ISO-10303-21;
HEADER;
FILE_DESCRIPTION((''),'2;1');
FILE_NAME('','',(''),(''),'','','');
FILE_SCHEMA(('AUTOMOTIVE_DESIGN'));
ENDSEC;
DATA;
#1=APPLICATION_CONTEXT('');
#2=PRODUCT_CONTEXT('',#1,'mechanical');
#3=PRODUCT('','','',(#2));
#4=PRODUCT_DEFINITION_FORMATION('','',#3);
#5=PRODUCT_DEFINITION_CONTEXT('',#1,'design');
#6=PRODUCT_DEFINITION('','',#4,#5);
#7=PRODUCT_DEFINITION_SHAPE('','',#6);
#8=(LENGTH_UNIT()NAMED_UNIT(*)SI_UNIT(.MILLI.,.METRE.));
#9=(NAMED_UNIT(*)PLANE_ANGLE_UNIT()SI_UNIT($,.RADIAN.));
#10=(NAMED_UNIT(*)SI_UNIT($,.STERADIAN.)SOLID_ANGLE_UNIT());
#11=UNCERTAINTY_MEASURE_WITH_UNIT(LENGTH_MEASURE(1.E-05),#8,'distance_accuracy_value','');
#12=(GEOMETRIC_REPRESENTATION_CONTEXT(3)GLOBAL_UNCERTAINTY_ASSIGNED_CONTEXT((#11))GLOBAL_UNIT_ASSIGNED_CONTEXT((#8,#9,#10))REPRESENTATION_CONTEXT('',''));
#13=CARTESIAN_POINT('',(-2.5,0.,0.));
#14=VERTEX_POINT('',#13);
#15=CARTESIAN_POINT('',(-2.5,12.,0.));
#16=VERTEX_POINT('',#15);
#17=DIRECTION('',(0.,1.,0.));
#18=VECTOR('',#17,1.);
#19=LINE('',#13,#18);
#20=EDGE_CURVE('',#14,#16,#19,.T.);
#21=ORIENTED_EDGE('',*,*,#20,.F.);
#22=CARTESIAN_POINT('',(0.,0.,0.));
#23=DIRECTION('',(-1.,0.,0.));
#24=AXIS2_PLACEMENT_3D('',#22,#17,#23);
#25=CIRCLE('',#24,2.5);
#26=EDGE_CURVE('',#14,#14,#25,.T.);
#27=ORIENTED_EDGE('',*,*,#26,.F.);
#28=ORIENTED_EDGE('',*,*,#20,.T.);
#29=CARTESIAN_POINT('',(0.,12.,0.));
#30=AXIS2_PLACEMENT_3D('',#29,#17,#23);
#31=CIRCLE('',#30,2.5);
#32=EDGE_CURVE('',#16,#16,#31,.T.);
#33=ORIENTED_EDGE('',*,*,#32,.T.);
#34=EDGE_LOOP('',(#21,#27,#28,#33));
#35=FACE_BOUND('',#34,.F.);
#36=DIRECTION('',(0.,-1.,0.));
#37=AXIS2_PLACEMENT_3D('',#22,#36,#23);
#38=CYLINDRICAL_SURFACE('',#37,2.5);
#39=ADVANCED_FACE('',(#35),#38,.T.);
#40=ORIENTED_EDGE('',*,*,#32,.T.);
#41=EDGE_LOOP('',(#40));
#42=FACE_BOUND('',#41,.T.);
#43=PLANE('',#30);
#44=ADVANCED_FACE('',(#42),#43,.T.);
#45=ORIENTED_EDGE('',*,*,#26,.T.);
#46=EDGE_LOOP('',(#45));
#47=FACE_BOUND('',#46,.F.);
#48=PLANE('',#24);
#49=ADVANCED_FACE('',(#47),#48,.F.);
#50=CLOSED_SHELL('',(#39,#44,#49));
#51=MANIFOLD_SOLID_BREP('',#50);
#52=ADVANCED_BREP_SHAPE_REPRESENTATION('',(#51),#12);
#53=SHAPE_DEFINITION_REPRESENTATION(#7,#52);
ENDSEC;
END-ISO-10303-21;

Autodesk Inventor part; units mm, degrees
ref_plane "YZ Plane" through (0, 0, 0) normal (1, 0, 0) x (0, 1, 0)
ref_plane "XZ Plane" through (0, 0, 0) normal (0, 1, 0) x (-1, 0, 0)
ref_plane "XY Plane" through (0, 0, 0) normal (0, 0, 1) x (1, 0, 0)
sketch "Szkic1" plane through (0, 0, 0) normal (0, 1, 0) x (-1, 0, 0)
  circle A0 centre (0, 0) radius 2.5
  dimension "d0" = 5
extrude "Wyciągnięcie proste1" add sketch "Szkic1" along normal blind 12
properties part number "connecting_rod"
